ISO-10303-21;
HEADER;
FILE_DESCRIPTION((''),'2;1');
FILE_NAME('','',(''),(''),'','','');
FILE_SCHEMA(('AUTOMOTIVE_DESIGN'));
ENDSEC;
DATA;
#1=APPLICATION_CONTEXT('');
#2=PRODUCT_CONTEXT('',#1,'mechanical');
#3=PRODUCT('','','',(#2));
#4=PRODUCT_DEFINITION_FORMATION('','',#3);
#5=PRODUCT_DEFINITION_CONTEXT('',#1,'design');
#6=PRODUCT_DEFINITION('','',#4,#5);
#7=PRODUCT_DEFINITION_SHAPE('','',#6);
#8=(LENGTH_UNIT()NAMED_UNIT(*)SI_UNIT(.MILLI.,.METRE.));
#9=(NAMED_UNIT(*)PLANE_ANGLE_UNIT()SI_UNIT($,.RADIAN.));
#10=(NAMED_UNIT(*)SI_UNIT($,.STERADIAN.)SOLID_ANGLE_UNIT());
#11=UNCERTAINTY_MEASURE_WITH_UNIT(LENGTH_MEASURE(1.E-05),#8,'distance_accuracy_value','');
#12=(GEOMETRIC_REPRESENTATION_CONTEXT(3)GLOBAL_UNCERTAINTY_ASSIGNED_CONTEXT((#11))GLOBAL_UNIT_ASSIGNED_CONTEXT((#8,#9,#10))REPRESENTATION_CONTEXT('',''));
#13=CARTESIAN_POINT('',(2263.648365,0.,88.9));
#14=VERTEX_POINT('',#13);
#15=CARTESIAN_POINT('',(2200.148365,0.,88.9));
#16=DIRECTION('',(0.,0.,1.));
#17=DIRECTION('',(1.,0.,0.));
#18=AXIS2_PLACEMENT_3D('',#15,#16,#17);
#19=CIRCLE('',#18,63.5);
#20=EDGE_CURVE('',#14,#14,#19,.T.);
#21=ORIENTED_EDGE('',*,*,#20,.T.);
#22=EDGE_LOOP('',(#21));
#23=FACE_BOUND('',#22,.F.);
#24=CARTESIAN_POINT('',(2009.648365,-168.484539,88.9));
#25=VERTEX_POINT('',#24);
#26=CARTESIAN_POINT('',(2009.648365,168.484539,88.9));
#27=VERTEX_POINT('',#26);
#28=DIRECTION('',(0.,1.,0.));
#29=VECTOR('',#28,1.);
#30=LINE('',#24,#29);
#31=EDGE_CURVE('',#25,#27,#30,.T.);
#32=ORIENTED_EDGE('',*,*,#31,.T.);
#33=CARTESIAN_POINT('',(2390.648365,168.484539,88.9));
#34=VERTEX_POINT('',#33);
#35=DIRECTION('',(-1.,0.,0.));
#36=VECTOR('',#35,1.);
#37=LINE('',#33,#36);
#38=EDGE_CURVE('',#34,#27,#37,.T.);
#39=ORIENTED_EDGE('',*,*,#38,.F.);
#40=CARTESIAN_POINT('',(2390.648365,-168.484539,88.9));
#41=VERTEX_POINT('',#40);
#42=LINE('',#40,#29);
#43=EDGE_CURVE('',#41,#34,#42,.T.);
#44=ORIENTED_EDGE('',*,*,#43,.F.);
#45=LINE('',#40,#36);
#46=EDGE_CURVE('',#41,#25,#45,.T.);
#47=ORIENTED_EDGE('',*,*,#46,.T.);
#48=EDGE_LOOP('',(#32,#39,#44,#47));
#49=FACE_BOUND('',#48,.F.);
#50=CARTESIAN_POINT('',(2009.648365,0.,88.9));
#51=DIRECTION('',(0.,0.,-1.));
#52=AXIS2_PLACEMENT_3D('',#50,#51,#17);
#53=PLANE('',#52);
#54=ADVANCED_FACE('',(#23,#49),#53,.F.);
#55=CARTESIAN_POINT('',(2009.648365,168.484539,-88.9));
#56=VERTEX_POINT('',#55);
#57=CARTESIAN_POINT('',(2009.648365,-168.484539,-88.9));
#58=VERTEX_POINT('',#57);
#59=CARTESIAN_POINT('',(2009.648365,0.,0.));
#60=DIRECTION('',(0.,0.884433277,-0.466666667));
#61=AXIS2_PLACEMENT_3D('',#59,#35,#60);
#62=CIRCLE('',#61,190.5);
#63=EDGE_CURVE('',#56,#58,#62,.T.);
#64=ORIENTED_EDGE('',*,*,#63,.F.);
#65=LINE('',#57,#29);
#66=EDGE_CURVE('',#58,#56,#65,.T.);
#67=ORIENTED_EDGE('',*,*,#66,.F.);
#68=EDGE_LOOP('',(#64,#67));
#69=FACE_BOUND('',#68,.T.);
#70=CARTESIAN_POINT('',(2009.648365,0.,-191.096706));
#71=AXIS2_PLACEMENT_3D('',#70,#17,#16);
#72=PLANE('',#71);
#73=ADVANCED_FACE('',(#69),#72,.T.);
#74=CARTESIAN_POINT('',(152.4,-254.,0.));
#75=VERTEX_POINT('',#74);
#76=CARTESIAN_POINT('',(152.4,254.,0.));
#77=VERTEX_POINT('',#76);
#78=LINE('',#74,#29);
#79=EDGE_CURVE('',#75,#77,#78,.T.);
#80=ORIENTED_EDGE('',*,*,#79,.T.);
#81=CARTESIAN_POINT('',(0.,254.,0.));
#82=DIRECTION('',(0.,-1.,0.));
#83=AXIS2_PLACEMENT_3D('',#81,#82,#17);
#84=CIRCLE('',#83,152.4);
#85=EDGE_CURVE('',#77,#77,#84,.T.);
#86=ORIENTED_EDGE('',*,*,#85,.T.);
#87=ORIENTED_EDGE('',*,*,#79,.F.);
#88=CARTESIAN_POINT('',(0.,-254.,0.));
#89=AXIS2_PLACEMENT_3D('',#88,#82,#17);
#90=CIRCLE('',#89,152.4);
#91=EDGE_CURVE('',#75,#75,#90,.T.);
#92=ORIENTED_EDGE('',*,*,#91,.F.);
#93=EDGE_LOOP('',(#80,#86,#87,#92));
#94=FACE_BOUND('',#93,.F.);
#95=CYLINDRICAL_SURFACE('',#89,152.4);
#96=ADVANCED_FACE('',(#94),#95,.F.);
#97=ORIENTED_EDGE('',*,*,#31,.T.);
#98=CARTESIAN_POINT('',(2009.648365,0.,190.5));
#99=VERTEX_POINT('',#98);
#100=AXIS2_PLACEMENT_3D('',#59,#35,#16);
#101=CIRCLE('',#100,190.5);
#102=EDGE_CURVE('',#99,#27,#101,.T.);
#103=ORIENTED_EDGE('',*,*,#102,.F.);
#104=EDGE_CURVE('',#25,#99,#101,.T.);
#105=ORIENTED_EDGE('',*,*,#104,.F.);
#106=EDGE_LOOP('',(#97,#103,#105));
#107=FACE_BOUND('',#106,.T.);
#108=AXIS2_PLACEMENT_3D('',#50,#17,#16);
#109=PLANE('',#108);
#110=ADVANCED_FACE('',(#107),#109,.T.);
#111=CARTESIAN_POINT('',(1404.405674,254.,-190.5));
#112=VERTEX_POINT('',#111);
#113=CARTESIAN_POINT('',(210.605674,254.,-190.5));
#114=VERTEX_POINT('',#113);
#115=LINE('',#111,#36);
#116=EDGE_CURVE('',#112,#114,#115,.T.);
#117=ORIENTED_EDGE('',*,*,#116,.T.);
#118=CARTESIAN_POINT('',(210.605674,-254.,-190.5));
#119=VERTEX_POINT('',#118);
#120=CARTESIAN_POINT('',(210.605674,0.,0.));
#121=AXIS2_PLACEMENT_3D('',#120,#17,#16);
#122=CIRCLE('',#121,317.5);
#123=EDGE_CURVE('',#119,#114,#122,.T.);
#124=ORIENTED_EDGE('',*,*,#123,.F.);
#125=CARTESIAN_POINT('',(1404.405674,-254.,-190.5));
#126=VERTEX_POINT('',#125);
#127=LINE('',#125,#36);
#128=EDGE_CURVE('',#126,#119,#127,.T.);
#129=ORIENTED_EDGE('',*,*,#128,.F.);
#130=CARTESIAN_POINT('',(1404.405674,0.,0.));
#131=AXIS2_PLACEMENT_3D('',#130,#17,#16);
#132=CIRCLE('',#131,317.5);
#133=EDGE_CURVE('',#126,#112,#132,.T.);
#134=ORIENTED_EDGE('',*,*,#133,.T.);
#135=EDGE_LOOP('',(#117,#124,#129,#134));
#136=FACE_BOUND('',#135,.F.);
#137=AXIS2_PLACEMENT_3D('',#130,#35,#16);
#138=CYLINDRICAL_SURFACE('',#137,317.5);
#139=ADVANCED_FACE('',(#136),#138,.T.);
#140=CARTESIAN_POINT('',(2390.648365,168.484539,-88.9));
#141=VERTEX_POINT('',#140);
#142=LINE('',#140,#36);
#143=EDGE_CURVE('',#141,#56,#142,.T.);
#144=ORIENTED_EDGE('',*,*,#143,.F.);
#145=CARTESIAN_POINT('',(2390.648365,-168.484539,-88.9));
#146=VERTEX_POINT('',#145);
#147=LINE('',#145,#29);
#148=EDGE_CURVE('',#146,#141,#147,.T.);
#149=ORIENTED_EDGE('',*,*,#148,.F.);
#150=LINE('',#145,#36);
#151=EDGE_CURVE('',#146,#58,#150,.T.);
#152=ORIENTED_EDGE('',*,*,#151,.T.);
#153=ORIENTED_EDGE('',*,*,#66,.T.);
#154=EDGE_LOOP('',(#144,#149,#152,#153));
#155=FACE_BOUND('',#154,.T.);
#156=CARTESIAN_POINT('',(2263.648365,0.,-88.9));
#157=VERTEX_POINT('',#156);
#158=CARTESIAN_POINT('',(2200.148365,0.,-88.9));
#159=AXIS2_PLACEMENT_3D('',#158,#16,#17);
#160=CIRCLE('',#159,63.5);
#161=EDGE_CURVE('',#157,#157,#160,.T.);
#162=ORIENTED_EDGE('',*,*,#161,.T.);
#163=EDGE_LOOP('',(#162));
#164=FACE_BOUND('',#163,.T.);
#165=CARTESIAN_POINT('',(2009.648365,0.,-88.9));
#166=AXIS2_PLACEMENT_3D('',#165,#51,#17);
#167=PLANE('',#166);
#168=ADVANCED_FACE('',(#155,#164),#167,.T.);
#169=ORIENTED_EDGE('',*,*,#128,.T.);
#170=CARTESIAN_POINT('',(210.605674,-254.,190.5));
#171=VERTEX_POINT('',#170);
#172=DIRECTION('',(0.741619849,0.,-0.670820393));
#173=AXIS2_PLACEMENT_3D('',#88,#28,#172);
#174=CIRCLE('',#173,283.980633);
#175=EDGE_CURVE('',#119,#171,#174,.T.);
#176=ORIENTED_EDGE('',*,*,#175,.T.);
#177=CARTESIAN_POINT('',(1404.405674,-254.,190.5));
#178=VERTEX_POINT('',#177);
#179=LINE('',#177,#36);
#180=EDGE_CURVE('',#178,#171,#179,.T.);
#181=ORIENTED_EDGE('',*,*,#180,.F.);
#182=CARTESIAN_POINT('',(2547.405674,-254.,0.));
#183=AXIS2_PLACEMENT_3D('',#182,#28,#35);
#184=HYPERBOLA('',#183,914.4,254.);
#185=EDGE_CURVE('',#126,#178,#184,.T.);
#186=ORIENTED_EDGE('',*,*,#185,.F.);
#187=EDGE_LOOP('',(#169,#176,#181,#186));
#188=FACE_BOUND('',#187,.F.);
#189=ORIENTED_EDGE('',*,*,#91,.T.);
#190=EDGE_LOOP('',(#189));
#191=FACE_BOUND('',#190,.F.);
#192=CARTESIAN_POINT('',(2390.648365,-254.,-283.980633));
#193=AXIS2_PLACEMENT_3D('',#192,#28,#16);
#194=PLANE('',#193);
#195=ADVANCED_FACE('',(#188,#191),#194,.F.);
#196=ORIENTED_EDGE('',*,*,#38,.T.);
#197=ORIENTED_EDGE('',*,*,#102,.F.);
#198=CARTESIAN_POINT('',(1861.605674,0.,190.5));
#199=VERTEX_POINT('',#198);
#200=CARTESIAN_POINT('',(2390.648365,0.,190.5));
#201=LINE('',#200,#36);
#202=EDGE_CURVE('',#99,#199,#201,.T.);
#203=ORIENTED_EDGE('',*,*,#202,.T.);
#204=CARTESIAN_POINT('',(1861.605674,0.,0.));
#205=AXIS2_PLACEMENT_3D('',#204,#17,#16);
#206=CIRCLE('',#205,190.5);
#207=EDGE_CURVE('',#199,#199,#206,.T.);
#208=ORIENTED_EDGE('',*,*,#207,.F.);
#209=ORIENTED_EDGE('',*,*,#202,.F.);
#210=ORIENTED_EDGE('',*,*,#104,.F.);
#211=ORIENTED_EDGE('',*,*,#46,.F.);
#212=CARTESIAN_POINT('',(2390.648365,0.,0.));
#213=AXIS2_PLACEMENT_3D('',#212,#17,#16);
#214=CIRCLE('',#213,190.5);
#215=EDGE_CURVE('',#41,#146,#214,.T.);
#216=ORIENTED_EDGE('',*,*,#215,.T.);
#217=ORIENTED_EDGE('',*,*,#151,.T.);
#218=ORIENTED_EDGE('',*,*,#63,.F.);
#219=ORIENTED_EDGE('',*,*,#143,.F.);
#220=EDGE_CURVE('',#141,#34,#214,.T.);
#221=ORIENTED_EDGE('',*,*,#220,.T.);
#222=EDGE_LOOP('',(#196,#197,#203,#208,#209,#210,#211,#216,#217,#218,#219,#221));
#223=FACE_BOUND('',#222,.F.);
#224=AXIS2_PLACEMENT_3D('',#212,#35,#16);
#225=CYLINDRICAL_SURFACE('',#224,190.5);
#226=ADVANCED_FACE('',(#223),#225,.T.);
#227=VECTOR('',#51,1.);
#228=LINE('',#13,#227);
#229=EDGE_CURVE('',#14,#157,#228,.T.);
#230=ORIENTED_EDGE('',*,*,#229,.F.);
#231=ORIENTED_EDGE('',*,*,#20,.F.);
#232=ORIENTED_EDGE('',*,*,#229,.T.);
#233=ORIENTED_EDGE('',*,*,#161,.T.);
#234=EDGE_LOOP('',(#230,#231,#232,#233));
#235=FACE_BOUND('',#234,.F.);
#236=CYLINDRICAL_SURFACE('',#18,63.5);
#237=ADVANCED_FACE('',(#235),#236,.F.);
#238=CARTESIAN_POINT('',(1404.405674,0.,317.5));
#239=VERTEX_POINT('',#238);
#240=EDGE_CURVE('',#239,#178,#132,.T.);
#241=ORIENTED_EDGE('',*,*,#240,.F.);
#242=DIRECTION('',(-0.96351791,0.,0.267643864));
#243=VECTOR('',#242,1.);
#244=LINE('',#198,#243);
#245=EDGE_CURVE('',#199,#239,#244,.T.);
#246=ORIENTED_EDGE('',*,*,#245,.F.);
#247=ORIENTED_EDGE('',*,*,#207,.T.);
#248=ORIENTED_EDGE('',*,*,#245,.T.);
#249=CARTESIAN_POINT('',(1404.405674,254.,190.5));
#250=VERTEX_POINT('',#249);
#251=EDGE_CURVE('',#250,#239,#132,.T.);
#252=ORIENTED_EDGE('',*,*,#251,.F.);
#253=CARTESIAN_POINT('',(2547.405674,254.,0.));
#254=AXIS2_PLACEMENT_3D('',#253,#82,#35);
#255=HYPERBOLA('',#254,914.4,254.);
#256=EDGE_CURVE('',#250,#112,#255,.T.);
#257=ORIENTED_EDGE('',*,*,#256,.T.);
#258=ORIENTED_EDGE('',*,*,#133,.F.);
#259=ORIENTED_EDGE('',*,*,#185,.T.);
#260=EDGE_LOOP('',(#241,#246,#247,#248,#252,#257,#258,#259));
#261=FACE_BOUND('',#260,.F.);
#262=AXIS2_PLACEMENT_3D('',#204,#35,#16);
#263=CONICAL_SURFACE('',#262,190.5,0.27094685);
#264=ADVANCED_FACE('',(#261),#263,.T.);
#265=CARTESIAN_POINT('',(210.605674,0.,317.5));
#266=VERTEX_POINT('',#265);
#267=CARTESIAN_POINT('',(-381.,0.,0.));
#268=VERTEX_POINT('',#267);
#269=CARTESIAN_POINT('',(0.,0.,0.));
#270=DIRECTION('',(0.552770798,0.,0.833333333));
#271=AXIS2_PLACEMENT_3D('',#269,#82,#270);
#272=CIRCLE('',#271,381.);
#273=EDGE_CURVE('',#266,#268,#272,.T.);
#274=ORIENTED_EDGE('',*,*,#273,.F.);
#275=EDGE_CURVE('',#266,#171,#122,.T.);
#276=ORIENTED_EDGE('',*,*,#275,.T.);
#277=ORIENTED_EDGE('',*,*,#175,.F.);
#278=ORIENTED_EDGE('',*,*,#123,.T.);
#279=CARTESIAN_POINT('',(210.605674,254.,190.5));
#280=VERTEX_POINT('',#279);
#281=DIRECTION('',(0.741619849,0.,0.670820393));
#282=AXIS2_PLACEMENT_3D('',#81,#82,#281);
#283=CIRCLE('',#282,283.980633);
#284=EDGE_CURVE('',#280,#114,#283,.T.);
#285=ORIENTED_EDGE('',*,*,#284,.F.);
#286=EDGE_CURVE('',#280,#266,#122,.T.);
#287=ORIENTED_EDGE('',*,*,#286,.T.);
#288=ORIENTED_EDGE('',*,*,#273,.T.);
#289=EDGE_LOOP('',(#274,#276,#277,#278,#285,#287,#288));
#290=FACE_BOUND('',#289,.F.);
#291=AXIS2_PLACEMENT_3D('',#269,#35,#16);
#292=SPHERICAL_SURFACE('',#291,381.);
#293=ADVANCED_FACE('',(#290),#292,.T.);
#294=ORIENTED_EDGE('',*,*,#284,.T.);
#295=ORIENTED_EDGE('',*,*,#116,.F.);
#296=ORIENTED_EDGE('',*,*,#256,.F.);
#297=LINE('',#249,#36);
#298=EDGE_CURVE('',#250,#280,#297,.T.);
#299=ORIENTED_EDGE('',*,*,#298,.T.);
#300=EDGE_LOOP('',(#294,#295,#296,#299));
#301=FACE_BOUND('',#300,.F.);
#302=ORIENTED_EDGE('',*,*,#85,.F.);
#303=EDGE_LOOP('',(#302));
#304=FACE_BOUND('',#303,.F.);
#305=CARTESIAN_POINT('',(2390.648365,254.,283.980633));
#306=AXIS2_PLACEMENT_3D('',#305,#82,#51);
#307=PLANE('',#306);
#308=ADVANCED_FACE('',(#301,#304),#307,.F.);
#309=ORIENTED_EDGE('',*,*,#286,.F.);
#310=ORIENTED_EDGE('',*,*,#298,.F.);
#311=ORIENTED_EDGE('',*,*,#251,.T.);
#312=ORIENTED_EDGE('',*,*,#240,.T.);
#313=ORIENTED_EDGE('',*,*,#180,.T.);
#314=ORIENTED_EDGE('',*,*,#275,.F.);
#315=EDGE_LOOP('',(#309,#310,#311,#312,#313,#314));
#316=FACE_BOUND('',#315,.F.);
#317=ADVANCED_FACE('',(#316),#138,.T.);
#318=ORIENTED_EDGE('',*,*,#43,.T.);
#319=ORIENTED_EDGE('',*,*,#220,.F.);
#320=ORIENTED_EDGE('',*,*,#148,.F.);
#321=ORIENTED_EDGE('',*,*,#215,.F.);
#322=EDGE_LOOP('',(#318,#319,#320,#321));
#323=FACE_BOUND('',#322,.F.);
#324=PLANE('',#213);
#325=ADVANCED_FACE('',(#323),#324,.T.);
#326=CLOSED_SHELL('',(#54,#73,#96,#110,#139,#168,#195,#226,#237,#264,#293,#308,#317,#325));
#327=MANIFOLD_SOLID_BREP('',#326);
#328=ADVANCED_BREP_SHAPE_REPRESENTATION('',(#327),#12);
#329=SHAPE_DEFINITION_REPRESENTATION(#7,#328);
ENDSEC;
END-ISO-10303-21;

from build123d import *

# Parameters (mm, degrees)
F2_W          = 381
F2_H          = 102.1967058976
F3_DEPTH      = 381.001
F3_DEPTH_BACK = 381.001
F5_DEPTH      = 2771.6493650208
F6_R          = 152.4
F7_DEPTH      = 508.001
F8_R          = 63.5
F9_DEPTH      = 469.901


with BuildPart() as f1:
    # F0 (on Front) → F1 (revolve)
    with BuildSketch(Plane.XZ):
        with BuildLine():
            ThreePointArc((210.6056741876, 317.5), (-180.1669200138, 335.7095186806), (-381, 0))
            Line((-381, 0), (1644.6669101715, 0))
            Line((1644.6669101715, 0), (1709.2056741876, 0))
            Line((1709.2056741876, 0), (2390.6483650208, 0))
            Line((2390.6483650208, 0), (2390.6483650208, 190.5))
            Line((2390.6483650208, 190.5), (1861.6056741876, 190.5))
            Line((1861.6056741876, 190.5), (1404.4056741876, 317.5))
            Line((1404.4056741876, 317.5), (210.6056741876, 317.5))
        make_face()
    revolve(axis=Axis((1529.9751758575, 0, 0), (1, 0, 0)))

    # F2 (on Front) → F3 (cut, two sides)
    with BuildSketch(Plane.XZ) as f3_sk:
        with Locations((2200.1483650208, 139.9983529488)):
            Rectangle(F2_W, F2_H)
        with Locations((2200.1483650208, -139.9983529488)):
            Rectangle(F2_W, F2_H)
    extrude(amount=-F3_DEPTH, mode=Mode.SUBTRACT)
    extrude(f3_sk.sketch, amount=F3_DEPTH_BACK, mode=Mode.SUBTRACT)

    # F4 (on face) → F5 (cut, through all)
    with BuildSketch(Plane.YZ.offset(2390.6483650208)):
        with BuildLine():
            Line((-254, -283.9806331425), (-254, 283.9806331425))
            ThreePointArc((-254, 283.9806331425), (-381, 0), (-254, -283.9806331425))
        make_face()
        with BuildLine():
            ThreePointArc((381, 0), (347.8038240158, 155.5425986667), (254, 283.9806331425))
            Line((254, 283.9806331425), (254, -283.9806331425))
            ThreePointArc((254, -283.9806331425), (347.8038240158, -155.5425986667), (381, 0))
        make_face()
    extrude(amount=-F5_DEPTH, mode=Mode.SUBTRACT)

    # F6 (on face) → F7 (cut, through all)
    with BuildSketch(Plane.XZ.offset(254)):
        Circle(F6_R)
    extrude(amount=-F7_DEPTH, mode=Mode.SUBTRACT)

    # F8 (on face) → F9 (cut, through all)
    with BuildSketch(Plane.XY.offset(88.9)):
        with Locations((2200.1483650208, 0)):
            Circle(F8_R)
    extrude(amount=-F9_DEPTH, mode=Mode.SUBTRACT)


solid = f1.part
